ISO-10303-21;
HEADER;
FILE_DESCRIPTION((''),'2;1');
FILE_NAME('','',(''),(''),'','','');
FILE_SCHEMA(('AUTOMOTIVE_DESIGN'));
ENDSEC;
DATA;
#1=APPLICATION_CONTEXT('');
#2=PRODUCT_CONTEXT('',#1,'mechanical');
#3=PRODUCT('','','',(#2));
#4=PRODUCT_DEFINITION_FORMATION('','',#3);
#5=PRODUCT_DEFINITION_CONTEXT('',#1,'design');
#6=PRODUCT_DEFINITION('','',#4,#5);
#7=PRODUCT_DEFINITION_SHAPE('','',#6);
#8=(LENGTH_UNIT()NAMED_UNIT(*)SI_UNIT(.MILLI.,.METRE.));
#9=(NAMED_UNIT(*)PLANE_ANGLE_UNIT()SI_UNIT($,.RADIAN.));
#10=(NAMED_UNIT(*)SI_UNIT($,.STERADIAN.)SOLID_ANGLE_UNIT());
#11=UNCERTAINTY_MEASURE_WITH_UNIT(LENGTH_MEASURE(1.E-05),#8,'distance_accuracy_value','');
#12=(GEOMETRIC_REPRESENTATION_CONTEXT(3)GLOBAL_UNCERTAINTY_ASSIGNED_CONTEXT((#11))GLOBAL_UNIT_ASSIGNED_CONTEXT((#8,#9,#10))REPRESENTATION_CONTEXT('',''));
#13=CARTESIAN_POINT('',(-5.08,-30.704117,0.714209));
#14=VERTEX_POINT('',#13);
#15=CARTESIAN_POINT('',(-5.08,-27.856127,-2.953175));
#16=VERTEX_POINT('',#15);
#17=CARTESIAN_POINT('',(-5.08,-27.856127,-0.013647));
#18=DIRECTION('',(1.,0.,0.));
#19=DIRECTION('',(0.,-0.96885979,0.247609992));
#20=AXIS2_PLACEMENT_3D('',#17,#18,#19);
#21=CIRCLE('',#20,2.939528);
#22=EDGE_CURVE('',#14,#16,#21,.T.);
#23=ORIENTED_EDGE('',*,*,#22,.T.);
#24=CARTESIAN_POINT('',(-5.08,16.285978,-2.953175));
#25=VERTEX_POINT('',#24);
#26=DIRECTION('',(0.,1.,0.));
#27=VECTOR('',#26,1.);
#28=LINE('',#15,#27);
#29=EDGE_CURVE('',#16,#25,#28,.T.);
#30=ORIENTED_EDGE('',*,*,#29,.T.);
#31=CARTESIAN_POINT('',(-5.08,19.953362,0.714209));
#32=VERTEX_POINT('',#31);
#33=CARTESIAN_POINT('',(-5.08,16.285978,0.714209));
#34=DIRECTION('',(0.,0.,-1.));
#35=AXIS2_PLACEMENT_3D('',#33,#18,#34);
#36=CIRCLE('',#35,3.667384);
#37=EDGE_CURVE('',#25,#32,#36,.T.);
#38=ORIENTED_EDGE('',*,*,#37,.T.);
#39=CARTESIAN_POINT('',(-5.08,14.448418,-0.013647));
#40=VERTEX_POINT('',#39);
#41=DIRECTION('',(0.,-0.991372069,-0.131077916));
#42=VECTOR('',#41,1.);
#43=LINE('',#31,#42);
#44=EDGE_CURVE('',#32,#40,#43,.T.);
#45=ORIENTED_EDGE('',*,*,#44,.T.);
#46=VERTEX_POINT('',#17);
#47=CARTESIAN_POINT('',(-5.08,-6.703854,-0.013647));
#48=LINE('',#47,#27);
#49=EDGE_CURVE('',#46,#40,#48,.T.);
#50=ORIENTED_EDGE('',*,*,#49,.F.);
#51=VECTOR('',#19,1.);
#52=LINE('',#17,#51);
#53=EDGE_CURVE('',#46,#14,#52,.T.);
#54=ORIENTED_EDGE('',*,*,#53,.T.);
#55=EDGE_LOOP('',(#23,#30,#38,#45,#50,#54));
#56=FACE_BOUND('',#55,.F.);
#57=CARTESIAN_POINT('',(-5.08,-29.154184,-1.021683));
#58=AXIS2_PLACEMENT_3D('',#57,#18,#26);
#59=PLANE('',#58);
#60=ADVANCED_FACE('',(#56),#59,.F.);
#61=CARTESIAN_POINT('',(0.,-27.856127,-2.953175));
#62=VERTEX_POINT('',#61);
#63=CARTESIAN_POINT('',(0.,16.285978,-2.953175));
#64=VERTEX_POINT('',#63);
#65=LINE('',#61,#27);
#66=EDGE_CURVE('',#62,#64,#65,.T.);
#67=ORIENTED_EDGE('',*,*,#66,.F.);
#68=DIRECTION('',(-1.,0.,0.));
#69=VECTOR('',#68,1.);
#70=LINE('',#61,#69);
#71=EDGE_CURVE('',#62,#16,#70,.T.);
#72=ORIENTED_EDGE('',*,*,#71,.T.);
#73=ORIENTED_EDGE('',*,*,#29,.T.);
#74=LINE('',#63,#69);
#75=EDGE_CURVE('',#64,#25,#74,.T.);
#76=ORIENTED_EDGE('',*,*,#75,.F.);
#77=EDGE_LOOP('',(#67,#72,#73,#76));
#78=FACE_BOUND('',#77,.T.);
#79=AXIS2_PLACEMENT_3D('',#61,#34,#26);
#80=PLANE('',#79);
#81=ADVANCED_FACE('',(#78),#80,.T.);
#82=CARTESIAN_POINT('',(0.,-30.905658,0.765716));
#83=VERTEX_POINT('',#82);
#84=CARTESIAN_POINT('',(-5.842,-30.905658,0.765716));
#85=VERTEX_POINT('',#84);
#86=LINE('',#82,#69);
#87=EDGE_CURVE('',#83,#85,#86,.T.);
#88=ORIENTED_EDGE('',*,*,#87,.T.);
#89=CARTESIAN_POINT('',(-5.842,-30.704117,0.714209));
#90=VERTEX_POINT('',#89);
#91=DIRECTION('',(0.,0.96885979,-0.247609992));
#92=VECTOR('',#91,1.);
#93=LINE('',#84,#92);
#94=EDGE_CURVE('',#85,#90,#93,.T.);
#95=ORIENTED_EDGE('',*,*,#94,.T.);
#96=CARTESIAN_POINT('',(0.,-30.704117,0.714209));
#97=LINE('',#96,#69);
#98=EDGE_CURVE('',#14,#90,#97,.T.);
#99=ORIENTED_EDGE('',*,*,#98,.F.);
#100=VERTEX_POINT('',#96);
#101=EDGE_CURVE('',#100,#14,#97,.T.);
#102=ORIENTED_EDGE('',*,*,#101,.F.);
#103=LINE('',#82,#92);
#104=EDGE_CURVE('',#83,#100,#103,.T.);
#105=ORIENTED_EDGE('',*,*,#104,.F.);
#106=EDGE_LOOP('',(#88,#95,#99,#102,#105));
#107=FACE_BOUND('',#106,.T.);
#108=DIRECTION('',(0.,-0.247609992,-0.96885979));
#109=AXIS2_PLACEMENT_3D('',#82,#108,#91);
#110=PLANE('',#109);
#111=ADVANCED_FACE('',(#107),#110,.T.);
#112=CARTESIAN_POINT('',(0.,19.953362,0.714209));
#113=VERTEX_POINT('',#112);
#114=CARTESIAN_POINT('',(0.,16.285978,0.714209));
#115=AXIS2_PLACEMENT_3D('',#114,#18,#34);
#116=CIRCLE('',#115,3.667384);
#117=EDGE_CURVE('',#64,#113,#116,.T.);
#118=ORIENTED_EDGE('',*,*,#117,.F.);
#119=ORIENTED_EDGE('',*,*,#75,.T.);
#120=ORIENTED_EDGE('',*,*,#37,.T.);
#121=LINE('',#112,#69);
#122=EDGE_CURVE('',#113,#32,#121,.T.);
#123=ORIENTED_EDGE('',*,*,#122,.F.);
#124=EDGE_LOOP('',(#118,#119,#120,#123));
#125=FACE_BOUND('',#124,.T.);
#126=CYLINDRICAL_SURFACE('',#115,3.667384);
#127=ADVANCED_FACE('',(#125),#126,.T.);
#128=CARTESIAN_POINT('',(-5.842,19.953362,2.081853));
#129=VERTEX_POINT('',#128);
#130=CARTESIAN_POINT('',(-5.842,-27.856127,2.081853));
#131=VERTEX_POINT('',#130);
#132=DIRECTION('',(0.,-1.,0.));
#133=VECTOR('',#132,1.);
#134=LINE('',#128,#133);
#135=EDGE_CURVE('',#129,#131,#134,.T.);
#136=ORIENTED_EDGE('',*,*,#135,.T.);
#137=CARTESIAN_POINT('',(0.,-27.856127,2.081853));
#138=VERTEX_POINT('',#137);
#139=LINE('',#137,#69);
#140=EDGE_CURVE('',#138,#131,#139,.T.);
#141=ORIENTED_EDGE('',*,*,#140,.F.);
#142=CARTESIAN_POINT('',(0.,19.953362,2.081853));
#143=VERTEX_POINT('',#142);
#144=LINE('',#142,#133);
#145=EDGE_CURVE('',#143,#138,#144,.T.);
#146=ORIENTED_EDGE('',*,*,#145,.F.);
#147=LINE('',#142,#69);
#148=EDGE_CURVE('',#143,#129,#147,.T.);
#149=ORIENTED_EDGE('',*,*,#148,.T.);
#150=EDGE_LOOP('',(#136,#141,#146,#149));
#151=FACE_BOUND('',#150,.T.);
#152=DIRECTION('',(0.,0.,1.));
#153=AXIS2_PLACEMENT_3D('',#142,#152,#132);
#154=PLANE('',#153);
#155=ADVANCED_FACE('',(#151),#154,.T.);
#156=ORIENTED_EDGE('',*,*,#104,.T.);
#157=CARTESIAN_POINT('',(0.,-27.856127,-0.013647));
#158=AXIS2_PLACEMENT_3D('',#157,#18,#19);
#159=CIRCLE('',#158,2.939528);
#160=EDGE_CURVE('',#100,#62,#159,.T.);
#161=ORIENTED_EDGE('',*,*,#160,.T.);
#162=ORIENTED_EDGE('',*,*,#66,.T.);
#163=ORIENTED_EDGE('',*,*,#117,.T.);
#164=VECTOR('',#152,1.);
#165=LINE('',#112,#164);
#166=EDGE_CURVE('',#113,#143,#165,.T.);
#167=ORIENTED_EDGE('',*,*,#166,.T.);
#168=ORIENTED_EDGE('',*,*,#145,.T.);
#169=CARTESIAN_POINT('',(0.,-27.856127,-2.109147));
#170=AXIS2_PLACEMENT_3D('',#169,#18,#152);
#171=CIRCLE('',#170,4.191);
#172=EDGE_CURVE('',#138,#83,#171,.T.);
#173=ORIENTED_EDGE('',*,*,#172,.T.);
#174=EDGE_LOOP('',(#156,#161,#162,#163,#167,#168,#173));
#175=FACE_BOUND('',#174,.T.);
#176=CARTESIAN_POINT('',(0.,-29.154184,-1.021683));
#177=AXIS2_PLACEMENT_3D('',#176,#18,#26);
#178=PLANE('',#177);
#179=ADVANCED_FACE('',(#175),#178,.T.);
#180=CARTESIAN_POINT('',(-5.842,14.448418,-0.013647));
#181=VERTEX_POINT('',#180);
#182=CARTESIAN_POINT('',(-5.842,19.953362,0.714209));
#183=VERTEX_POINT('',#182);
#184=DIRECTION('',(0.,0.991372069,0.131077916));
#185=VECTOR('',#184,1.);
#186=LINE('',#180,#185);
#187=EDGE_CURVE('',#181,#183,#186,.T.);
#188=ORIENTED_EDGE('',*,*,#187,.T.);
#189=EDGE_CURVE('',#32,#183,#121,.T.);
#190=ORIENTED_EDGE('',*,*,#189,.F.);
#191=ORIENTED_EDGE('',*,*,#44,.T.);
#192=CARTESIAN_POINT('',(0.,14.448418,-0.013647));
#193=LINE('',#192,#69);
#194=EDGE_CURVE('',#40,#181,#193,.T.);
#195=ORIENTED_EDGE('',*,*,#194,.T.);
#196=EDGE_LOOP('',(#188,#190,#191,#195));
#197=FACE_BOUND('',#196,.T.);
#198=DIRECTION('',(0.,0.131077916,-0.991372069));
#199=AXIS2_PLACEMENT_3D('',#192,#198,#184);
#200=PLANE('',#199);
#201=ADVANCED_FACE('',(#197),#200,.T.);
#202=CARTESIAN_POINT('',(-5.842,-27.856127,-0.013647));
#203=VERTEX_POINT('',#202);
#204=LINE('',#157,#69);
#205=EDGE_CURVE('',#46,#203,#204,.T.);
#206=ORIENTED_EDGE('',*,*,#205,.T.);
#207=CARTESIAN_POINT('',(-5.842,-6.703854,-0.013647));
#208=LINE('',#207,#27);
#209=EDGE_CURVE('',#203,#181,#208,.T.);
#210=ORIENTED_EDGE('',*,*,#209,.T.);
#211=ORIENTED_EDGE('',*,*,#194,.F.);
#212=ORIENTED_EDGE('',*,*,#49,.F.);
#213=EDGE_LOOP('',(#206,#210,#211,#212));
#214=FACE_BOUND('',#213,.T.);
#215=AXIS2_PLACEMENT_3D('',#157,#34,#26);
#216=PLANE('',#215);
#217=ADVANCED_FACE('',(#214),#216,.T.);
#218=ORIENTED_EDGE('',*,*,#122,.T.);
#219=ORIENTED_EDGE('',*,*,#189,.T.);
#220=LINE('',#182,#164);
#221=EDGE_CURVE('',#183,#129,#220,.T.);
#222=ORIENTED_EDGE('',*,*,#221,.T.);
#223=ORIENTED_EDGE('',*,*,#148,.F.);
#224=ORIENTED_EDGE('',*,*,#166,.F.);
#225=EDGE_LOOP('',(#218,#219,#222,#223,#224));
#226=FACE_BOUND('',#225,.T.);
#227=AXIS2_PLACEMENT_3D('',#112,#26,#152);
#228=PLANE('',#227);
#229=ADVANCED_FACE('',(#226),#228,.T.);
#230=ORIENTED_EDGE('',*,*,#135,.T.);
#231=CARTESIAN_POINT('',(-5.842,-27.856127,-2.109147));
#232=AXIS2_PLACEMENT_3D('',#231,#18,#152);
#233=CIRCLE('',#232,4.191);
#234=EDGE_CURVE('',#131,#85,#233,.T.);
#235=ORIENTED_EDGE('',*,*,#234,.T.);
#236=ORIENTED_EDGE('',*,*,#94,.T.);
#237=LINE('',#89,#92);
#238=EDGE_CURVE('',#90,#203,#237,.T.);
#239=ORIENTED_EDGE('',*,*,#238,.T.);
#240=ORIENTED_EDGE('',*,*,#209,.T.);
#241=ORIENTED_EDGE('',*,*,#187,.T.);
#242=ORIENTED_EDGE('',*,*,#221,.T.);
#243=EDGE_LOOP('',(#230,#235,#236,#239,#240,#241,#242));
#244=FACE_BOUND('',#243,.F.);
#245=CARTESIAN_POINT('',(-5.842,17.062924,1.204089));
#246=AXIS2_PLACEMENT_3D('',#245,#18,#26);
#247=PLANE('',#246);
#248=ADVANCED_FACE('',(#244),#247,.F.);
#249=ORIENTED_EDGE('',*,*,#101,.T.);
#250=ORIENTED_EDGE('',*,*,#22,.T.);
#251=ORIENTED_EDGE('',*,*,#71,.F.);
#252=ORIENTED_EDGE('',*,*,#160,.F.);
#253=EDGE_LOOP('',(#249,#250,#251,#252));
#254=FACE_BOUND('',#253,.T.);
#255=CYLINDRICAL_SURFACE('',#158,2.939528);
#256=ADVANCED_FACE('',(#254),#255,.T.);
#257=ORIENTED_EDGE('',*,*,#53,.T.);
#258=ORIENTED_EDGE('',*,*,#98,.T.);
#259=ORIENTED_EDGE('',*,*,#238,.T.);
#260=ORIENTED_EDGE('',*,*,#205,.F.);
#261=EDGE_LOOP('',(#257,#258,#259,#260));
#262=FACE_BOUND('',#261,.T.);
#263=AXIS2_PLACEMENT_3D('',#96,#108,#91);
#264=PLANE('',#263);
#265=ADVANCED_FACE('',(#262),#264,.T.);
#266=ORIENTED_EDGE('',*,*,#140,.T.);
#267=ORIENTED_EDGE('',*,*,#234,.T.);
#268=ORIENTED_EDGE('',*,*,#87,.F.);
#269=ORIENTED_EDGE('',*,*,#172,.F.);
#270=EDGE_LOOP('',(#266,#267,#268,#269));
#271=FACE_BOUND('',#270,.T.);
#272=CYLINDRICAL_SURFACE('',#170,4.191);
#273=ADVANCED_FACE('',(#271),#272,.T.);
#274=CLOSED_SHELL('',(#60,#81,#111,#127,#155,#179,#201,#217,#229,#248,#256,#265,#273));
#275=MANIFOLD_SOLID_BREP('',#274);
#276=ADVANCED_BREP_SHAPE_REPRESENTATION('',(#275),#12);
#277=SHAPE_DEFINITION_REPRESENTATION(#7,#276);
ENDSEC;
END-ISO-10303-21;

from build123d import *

# Parameters (mm, degrees)
F0_W     = 42.3045453848
F0_H     = 2.0955
F1_DEPTH = 5.842
F0_H_2   = 2.9395276724
F2_DEPTH = 5.08


with BuildPart() as f1:
    # F0 (on Right) → F1 (new body)
    with BuildSketch(Plane.YZ):
        Polygon((19.4500260153, 2.0818525415), (14.4484183737, 2.0818525415), (14.4484183737, -0.0136474585), (19.953361936, 0.7142089649), (19.953361936, 2.0818525415), align=None)
        with Locations((-6.7038543186, 1.0341025415)):
            Rectangle(F0_W, F0_H)
        with BuildLine():
            Line((-27.856127011, -0.0136474585), (-27.856127011, 2.0818525415))
            ThreePointArc((-27.856127011, 2.0818525415), (-29.51683868, 1.7387763651), (-30.9056579084, 0.7657164176))
            Line((-30.9056579084, 0.7657164176), (-30.7041171732, 0.7142089649))
            Line((-30.7041171732, 0.7142089649), (-27.856127011, -0.0136474585))
        make_face()
    extrude(amount=-F1_DEPTH)

    # F0 (on Right) → F2 (join)
    with BuildSketch(Plane.YZ):
        with BuildLine():
            Line((-27.856127011, -2.953175131), (-27.856127011, -0.0136474585))
            Line((-27.856127011, -0.0136474585), (-30.7041171732, 0.7142089649))
            ThreePointArc((-30.7041171732, 0.7142089649), (-30.1778049641, -1.816599044), (-27.856127011, -2.953175131))
        make_face()
        with Locations((-6.7038543186, -1.4834112948)):
            Rectangle(F0_W, F0_H_2)
        with BuildLine():
            Line((19.953361936, 0.7142089649), (14.4484183737, -0.0136474585))
            Line((14.4484183737, -0.0136474585), (14.4484183737, -2.953175131))
            Line((14.4484183737, -2.953175131), (16.2859778402, -2.953175131))
            ThreePointArc((16.2859778402, -2.953175131), (18.8792100035, -1.8790231985), (19.953361936, 0.7142089649))
        make_face()
    extrude(amount=-F2_DEPTH)


solid = f1.part
